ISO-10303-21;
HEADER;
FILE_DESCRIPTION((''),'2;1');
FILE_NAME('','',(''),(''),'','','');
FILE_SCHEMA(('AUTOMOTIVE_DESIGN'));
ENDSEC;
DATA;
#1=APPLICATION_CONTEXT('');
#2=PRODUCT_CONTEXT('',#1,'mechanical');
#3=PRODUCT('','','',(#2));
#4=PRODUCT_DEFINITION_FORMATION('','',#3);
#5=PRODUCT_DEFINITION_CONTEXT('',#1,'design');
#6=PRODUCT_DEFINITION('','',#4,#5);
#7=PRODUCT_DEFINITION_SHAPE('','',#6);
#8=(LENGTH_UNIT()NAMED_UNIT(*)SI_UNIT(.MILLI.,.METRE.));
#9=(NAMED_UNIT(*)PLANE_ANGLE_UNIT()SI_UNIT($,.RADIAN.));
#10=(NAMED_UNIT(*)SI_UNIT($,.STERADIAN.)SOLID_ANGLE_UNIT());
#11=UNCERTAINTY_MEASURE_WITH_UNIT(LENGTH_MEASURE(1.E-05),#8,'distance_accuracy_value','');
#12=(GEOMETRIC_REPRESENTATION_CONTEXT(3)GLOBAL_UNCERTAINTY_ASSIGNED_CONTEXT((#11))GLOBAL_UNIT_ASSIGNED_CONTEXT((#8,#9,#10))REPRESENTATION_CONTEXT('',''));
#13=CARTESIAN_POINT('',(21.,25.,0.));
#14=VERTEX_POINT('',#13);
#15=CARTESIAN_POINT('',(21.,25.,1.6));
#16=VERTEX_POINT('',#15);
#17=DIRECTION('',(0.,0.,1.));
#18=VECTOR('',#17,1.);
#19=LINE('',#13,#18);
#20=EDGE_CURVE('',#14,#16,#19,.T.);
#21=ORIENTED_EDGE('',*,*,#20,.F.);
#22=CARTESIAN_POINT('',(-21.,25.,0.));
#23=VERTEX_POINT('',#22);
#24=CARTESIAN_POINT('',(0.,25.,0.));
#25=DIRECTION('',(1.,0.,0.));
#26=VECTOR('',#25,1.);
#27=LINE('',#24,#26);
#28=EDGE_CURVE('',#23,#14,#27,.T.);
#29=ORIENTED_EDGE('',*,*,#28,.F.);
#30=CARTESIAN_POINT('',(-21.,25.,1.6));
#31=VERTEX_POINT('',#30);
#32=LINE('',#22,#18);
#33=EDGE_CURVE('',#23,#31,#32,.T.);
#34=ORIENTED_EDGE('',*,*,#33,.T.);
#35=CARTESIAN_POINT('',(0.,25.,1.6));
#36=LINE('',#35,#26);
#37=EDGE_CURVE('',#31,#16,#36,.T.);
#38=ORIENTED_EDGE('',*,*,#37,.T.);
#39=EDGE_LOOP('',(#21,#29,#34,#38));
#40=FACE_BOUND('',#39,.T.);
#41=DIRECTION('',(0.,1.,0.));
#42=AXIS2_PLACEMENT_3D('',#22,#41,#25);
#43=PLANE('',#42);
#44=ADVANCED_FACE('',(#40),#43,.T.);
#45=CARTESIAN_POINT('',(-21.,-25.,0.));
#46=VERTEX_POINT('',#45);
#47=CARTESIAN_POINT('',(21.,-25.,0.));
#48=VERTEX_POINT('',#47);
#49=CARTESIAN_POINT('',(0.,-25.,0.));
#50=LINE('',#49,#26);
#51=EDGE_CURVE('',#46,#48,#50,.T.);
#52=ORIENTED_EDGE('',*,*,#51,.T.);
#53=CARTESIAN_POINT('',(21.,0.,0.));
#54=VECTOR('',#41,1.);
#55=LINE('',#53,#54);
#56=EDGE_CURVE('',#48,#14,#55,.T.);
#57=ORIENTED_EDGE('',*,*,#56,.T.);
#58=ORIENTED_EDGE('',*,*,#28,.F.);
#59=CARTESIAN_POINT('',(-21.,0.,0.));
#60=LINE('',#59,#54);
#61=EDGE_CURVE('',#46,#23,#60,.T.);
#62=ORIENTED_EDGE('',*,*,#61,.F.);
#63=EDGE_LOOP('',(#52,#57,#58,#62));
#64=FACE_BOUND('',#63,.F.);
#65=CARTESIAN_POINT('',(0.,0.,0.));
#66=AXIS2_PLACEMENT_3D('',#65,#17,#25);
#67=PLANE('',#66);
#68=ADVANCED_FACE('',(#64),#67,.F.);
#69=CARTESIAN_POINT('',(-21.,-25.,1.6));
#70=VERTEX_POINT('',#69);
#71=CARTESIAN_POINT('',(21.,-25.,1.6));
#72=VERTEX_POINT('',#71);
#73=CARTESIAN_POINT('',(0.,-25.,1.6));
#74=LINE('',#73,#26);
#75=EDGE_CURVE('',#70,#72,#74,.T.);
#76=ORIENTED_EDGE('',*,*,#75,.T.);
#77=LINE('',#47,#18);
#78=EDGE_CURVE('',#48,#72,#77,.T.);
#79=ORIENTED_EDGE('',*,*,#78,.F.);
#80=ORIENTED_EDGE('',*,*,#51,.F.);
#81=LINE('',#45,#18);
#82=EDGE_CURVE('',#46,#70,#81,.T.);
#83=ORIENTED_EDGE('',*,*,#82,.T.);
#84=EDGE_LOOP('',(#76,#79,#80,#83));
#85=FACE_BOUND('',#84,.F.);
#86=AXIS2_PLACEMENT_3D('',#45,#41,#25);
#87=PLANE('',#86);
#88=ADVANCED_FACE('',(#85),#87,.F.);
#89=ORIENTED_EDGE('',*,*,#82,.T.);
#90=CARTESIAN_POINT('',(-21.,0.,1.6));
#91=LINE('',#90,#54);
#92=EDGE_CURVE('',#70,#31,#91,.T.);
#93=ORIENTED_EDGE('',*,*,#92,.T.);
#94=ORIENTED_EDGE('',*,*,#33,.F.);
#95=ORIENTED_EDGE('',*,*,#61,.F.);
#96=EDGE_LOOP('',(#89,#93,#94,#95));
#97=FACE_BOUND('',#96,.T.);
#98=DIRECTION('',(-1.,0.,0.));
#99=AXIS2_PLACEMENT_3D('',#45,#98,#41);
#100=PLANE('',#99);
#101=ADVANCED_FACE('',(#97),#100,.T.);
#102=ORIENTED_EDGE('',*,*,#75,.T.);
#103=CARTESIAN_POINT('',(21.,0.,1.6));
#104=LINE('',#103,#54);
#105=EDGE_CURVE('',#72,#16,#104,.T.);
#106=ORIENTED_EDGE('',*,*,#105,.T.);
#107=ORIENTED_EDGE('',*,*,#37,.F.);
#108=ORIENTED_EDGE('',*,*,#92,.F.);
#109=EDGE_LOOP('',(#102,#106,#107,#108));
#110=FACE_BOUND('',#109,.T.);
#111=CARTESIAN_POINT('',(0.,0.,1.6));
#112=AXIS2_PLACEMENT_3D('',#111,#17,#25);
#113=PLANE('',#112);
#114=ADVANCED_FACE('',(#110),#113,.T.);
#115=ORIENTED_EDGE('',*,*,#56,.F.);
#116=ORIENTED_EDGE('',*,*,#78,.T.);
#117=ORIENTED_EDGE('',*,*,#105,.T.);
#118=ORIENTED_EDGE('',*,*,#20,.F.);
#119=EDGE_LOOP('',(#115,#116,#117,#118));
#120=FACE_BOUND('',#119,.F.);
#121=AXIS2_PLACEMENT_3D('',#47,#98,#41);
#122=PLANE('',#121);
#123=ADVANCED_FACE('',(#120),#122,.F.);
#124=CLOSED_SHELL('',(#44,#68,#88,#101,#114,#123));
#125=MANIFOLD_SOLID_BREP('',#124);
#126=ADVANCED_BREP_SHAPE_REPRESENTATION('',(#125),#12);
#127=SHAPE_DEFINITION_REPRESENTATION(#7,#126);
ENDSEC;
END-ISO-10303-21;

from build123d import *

# Parameters (mm, degrees)
SKETCH1_W           = 42
SKETCH1_H           = 50
BOSS_EXTRUDE1_DEPTH = 1.6


with BuildPart() as part:
    # Sketch1 → Boss-Extrude1 (new body)
    with BuildSketch(Plane.XY):
        Rectangle(SKETCH1_W, SKETCH1_H)
    extrude(amount=BOSS_EXTRUDE1_DEPTH)


solid = part.part
